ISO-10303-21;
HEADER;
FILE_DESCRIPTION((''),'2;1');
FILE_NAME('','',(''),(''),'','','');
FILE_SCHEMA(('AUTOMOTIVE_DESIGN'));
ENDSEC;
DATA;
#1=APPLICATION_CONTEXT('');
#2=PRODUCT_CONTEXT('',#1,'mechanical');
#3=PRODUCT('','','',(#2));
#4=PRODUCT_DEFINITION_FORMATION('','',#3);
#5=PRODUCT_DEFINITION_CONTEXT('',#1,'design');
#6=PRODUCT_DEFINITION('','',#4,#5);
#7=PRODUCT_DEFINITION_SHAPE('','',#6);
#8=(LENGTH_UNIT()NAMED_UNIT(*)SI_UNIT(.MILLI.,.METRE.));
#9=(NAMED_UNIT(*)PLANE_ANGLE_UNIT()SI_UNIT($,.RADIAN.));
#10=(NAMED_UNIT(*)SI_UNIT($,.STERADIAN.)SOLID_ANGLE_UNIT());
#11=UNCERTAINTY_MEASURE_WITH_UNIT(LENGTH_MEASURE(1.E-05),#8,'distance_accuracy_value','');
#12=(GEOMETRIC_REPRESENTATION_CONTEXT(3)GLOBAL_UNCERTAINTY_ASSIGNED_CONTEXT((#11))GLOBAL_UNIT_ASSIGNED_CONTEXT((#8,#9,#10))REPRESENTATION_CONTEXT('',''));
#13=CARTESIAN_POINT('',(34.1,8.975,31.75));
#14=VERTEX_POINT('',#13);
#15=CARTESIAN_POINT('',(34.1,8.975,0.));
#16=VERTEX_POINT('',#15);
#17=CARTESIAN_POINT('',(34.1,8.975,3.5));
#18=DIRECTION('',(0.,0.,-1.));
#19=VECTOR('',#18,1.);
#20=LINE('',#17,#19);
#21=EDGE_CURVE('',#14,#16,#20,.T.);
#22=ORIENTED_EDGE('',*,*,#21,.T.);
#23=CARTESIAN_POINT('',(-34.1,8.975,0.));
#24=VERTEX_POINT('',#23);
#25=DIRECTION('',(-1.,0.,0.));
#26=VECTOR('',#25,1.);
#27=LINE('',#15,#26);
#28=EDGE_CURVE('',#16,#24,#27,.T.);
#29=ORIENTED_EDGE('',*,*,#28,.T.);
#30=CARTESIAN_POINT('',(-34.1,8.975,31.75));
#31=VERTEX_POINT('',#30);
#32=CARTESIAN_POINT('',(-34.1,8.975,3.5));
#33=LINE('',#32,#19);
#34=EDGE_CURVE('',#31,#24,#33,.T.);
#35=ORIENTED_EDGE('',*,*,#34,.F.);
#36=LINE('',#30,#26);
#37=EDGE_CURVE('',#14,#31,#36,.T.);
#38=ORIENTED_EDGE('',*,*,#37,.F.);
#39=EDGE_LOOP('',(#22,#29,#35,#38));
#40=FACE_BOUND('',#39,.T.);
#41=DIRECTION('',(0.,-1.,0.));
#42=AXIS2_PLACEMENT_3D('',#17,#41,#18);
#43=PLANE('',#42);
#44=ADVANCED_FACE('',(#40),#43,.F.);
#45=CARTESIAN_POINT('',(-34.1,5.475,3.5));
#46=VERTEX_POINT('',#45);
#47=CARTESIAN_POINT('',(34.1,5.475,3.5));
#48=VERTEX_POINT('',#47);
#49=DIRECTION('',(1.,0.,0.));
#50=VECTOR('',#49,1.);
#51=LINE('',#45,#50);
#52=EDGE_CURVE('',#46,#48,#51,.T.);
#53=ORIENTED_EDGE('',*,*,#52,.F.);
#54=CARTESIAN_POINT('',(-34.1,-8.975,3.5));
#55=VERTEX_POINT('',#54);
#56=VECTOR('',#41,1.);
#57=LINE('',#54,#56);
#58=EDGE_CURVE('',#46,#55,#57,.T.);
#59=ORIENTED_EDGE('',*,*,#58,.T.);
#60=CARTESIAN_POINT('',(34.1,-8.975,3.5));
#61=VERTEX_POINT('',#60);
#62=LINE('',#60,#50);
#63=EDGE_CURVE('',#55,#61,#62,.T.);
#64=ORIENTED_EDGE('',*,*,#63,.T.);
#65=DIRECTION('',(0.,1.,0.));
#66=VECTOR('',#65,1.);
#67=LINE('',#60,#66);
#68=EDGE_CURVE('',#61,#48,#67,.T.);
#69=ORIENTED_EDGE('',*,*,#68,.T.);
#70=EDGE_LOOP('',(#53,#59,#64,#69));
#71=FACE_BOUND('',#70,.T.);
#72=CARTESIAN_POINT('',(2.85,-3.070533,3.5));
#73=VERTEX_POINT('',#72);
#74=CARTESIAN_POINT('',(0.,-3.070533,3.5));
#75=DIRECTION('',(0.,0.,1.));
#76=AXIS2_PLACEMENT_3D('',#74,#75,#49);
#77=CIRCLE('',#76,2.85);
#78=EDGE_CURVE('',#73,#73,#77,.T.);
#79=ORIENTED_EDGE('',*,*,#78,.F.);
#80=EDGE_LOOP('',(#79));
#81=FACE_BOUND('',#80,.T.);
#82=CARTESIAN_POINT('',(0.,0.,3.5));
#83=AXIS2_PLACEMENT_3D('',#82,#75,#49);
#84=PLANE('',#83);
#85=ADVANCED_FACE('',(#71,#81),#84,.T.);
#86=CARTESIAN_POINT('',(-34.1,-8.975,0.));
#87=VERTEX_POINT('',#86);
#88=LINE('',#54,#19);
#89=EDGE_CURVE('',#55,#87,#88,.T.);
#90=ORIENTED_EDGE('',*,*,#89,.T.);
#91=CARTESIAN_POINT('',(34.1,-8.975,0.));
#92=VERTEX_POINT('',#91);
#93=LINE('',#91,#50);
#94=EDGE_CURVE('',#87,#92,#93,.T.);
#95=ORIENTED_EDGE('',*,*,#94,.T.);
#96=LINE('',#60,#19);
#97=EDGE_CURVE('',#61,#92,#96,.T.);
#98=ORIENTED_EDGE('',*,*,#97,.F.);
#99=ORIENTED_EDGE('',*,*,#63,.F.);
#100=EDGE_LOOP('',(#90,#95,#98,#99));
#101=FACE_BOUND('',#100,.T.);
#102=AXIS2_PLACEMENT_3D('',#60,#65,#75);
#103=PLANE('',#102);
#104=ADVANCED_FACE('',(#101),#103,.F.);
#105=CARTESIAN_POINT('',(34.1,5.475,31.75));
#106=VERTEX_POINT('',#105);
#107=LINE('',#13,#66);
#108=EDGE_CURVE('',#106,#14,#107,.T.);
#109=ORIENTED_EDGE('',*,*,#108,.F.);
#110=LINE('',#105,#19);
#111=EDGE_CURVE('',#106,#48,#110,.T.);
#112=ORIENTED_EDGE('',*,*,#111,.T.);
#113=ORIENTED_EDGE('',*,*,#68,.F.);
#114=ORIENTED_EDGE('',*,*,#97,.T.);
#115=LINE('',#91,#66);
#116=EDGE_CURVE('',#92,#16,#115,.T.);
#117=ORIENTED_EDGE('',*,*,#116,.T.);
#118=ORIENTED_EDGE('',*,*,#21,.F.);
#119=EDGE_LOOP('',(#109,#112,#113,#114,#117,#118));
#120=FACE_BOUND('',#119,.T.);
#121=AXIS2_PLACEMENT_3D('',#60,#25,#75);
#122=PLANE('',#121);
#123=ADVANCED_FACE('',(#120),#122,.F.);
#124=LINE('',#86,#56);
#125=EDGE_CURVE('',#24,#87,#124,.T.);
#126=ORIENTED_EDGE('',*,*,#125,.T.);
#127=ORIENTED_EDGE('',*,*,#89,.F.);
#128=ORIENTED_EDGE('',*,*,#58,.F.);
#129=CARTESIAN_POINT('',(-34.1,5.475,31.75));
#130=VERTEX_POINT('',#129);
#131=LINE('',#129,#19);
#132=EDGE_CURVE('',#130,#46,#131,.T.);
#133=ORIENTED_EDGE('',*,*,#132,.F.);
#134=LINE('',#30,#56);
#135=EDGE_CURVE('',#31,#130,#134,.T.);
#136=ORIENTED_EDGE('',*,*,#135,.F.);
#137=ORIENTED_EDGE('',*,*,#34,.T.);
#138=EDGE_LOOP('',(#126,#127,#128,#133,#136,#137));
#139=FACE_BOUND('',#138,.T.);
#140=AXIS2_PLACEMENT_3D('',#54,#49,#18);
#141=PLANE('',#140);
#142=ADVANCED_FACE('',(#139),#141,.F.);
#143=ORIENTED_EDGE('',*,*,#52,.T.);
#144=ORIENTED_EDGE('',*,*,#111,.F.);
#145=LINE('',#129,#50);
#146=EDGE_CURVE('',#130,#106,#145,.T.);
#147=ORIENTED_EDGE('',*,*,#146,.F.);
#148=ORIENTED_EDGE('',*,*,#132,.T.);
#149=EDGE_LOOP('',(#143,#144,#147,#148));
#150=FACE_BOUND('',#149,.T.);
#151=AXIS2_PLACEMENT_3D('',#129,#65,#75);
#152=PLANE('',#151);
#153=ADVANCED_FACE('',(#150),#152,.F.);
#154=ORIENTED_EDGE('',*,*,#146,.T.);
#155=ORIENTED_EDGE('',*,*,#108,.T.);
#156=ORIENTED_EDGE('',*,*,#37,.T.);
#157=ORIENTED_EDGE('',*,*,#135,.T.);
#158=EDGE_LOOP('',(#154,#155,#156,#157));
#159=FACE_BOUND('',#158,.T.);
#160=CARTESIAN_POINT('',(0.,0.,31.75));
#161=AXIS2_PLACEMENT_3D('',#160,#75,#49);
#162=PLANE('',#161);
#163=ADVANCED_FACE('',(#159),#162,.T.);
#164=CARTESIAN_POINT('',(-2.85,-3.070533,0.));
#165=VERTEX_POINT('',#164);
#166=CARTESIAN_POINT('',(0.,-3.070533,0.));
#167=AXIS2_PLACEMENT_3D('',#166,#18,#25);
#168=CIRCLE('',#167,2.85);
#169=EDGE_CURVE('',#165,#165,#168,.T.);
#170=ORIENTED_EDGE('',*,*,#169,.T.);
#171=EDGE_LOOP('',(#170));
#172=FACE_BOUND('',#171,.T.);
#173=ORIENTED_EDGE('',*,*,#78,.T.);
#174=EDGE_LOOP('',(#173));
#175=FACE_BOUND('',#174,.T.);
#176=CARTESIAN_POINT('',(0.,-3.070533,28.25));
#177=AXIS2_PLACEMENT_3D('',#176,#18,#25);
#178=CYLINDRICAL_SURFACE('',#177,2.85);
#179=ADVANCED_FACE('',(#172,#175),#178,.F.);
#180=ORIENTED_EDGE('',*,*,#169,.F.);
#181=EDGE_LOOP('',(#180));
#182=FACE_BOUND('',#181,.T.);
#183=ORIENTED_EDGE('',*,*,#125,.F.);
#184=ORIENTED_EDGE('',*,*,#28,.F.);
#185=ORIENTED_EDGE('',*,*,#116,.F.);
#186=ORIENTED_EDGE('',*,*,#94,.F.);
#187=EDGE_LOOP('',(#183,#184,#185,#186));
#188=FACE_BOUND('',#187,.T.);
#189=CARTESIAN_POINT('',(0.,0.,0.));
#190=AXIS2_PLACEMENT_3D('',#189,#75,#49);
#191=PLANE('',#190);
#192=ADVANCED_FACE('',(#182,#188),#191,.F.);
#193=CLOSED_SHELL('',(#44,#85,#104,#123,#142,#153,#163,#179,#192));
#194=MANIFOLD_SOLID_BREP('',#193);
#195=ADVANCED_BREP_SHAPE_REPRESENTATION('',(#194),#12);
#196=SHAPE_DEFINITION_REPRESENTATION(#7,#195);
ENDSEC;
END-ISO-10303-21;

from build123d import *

# Parameters (mm, degrees)
SKETCH_1_W          = 68.2
SKETCH_1_H          = 17.95
EXTRUDE_1_DEPTH     = 3.5
SKETCH_21_W         = 68.2
SKETCH_21_H         = 3.5
EXTRUDE_4_DEPTH     = 28.25
SKETCH_24_R         = 2.85
CUT_EXTRUDE_2_DEPTH = 28.25


with BuildPart() as part:
    # 草圖1 → 1 (new body)
    with BuildSketch(Plane.XY):
        Rectangle(SKETCH_1_W, SKETCH_1_H)
    extrude(amount=EXTRUDE_1_DEPTH)

    # 草圖21 → 填料-伸長4 (add)
    with BuildSketch(Plane.XY.offset(3.5)):
        with Locations((0, 7.225)):
            Rectangle(SKETCH_21_W, SKETCH_21_H)
    extrude(amount=EXTRUDE_4_DEPTH)

    # 草圖24 → 除料-伸長2 (cut)
    with BuildSketch(Plane(origin=(0, 0, 0), x_dir=(-1, 0, 0), z_dir=(0, 0, -1))):
        with Locations((0, -3.070533486)):
            Circle(SKETCH_24_R)
    extrude(amount=-CUT_EXTRUDE_2_DEPTH, mode=Mode.SUBTRACT)


solid = part.part
